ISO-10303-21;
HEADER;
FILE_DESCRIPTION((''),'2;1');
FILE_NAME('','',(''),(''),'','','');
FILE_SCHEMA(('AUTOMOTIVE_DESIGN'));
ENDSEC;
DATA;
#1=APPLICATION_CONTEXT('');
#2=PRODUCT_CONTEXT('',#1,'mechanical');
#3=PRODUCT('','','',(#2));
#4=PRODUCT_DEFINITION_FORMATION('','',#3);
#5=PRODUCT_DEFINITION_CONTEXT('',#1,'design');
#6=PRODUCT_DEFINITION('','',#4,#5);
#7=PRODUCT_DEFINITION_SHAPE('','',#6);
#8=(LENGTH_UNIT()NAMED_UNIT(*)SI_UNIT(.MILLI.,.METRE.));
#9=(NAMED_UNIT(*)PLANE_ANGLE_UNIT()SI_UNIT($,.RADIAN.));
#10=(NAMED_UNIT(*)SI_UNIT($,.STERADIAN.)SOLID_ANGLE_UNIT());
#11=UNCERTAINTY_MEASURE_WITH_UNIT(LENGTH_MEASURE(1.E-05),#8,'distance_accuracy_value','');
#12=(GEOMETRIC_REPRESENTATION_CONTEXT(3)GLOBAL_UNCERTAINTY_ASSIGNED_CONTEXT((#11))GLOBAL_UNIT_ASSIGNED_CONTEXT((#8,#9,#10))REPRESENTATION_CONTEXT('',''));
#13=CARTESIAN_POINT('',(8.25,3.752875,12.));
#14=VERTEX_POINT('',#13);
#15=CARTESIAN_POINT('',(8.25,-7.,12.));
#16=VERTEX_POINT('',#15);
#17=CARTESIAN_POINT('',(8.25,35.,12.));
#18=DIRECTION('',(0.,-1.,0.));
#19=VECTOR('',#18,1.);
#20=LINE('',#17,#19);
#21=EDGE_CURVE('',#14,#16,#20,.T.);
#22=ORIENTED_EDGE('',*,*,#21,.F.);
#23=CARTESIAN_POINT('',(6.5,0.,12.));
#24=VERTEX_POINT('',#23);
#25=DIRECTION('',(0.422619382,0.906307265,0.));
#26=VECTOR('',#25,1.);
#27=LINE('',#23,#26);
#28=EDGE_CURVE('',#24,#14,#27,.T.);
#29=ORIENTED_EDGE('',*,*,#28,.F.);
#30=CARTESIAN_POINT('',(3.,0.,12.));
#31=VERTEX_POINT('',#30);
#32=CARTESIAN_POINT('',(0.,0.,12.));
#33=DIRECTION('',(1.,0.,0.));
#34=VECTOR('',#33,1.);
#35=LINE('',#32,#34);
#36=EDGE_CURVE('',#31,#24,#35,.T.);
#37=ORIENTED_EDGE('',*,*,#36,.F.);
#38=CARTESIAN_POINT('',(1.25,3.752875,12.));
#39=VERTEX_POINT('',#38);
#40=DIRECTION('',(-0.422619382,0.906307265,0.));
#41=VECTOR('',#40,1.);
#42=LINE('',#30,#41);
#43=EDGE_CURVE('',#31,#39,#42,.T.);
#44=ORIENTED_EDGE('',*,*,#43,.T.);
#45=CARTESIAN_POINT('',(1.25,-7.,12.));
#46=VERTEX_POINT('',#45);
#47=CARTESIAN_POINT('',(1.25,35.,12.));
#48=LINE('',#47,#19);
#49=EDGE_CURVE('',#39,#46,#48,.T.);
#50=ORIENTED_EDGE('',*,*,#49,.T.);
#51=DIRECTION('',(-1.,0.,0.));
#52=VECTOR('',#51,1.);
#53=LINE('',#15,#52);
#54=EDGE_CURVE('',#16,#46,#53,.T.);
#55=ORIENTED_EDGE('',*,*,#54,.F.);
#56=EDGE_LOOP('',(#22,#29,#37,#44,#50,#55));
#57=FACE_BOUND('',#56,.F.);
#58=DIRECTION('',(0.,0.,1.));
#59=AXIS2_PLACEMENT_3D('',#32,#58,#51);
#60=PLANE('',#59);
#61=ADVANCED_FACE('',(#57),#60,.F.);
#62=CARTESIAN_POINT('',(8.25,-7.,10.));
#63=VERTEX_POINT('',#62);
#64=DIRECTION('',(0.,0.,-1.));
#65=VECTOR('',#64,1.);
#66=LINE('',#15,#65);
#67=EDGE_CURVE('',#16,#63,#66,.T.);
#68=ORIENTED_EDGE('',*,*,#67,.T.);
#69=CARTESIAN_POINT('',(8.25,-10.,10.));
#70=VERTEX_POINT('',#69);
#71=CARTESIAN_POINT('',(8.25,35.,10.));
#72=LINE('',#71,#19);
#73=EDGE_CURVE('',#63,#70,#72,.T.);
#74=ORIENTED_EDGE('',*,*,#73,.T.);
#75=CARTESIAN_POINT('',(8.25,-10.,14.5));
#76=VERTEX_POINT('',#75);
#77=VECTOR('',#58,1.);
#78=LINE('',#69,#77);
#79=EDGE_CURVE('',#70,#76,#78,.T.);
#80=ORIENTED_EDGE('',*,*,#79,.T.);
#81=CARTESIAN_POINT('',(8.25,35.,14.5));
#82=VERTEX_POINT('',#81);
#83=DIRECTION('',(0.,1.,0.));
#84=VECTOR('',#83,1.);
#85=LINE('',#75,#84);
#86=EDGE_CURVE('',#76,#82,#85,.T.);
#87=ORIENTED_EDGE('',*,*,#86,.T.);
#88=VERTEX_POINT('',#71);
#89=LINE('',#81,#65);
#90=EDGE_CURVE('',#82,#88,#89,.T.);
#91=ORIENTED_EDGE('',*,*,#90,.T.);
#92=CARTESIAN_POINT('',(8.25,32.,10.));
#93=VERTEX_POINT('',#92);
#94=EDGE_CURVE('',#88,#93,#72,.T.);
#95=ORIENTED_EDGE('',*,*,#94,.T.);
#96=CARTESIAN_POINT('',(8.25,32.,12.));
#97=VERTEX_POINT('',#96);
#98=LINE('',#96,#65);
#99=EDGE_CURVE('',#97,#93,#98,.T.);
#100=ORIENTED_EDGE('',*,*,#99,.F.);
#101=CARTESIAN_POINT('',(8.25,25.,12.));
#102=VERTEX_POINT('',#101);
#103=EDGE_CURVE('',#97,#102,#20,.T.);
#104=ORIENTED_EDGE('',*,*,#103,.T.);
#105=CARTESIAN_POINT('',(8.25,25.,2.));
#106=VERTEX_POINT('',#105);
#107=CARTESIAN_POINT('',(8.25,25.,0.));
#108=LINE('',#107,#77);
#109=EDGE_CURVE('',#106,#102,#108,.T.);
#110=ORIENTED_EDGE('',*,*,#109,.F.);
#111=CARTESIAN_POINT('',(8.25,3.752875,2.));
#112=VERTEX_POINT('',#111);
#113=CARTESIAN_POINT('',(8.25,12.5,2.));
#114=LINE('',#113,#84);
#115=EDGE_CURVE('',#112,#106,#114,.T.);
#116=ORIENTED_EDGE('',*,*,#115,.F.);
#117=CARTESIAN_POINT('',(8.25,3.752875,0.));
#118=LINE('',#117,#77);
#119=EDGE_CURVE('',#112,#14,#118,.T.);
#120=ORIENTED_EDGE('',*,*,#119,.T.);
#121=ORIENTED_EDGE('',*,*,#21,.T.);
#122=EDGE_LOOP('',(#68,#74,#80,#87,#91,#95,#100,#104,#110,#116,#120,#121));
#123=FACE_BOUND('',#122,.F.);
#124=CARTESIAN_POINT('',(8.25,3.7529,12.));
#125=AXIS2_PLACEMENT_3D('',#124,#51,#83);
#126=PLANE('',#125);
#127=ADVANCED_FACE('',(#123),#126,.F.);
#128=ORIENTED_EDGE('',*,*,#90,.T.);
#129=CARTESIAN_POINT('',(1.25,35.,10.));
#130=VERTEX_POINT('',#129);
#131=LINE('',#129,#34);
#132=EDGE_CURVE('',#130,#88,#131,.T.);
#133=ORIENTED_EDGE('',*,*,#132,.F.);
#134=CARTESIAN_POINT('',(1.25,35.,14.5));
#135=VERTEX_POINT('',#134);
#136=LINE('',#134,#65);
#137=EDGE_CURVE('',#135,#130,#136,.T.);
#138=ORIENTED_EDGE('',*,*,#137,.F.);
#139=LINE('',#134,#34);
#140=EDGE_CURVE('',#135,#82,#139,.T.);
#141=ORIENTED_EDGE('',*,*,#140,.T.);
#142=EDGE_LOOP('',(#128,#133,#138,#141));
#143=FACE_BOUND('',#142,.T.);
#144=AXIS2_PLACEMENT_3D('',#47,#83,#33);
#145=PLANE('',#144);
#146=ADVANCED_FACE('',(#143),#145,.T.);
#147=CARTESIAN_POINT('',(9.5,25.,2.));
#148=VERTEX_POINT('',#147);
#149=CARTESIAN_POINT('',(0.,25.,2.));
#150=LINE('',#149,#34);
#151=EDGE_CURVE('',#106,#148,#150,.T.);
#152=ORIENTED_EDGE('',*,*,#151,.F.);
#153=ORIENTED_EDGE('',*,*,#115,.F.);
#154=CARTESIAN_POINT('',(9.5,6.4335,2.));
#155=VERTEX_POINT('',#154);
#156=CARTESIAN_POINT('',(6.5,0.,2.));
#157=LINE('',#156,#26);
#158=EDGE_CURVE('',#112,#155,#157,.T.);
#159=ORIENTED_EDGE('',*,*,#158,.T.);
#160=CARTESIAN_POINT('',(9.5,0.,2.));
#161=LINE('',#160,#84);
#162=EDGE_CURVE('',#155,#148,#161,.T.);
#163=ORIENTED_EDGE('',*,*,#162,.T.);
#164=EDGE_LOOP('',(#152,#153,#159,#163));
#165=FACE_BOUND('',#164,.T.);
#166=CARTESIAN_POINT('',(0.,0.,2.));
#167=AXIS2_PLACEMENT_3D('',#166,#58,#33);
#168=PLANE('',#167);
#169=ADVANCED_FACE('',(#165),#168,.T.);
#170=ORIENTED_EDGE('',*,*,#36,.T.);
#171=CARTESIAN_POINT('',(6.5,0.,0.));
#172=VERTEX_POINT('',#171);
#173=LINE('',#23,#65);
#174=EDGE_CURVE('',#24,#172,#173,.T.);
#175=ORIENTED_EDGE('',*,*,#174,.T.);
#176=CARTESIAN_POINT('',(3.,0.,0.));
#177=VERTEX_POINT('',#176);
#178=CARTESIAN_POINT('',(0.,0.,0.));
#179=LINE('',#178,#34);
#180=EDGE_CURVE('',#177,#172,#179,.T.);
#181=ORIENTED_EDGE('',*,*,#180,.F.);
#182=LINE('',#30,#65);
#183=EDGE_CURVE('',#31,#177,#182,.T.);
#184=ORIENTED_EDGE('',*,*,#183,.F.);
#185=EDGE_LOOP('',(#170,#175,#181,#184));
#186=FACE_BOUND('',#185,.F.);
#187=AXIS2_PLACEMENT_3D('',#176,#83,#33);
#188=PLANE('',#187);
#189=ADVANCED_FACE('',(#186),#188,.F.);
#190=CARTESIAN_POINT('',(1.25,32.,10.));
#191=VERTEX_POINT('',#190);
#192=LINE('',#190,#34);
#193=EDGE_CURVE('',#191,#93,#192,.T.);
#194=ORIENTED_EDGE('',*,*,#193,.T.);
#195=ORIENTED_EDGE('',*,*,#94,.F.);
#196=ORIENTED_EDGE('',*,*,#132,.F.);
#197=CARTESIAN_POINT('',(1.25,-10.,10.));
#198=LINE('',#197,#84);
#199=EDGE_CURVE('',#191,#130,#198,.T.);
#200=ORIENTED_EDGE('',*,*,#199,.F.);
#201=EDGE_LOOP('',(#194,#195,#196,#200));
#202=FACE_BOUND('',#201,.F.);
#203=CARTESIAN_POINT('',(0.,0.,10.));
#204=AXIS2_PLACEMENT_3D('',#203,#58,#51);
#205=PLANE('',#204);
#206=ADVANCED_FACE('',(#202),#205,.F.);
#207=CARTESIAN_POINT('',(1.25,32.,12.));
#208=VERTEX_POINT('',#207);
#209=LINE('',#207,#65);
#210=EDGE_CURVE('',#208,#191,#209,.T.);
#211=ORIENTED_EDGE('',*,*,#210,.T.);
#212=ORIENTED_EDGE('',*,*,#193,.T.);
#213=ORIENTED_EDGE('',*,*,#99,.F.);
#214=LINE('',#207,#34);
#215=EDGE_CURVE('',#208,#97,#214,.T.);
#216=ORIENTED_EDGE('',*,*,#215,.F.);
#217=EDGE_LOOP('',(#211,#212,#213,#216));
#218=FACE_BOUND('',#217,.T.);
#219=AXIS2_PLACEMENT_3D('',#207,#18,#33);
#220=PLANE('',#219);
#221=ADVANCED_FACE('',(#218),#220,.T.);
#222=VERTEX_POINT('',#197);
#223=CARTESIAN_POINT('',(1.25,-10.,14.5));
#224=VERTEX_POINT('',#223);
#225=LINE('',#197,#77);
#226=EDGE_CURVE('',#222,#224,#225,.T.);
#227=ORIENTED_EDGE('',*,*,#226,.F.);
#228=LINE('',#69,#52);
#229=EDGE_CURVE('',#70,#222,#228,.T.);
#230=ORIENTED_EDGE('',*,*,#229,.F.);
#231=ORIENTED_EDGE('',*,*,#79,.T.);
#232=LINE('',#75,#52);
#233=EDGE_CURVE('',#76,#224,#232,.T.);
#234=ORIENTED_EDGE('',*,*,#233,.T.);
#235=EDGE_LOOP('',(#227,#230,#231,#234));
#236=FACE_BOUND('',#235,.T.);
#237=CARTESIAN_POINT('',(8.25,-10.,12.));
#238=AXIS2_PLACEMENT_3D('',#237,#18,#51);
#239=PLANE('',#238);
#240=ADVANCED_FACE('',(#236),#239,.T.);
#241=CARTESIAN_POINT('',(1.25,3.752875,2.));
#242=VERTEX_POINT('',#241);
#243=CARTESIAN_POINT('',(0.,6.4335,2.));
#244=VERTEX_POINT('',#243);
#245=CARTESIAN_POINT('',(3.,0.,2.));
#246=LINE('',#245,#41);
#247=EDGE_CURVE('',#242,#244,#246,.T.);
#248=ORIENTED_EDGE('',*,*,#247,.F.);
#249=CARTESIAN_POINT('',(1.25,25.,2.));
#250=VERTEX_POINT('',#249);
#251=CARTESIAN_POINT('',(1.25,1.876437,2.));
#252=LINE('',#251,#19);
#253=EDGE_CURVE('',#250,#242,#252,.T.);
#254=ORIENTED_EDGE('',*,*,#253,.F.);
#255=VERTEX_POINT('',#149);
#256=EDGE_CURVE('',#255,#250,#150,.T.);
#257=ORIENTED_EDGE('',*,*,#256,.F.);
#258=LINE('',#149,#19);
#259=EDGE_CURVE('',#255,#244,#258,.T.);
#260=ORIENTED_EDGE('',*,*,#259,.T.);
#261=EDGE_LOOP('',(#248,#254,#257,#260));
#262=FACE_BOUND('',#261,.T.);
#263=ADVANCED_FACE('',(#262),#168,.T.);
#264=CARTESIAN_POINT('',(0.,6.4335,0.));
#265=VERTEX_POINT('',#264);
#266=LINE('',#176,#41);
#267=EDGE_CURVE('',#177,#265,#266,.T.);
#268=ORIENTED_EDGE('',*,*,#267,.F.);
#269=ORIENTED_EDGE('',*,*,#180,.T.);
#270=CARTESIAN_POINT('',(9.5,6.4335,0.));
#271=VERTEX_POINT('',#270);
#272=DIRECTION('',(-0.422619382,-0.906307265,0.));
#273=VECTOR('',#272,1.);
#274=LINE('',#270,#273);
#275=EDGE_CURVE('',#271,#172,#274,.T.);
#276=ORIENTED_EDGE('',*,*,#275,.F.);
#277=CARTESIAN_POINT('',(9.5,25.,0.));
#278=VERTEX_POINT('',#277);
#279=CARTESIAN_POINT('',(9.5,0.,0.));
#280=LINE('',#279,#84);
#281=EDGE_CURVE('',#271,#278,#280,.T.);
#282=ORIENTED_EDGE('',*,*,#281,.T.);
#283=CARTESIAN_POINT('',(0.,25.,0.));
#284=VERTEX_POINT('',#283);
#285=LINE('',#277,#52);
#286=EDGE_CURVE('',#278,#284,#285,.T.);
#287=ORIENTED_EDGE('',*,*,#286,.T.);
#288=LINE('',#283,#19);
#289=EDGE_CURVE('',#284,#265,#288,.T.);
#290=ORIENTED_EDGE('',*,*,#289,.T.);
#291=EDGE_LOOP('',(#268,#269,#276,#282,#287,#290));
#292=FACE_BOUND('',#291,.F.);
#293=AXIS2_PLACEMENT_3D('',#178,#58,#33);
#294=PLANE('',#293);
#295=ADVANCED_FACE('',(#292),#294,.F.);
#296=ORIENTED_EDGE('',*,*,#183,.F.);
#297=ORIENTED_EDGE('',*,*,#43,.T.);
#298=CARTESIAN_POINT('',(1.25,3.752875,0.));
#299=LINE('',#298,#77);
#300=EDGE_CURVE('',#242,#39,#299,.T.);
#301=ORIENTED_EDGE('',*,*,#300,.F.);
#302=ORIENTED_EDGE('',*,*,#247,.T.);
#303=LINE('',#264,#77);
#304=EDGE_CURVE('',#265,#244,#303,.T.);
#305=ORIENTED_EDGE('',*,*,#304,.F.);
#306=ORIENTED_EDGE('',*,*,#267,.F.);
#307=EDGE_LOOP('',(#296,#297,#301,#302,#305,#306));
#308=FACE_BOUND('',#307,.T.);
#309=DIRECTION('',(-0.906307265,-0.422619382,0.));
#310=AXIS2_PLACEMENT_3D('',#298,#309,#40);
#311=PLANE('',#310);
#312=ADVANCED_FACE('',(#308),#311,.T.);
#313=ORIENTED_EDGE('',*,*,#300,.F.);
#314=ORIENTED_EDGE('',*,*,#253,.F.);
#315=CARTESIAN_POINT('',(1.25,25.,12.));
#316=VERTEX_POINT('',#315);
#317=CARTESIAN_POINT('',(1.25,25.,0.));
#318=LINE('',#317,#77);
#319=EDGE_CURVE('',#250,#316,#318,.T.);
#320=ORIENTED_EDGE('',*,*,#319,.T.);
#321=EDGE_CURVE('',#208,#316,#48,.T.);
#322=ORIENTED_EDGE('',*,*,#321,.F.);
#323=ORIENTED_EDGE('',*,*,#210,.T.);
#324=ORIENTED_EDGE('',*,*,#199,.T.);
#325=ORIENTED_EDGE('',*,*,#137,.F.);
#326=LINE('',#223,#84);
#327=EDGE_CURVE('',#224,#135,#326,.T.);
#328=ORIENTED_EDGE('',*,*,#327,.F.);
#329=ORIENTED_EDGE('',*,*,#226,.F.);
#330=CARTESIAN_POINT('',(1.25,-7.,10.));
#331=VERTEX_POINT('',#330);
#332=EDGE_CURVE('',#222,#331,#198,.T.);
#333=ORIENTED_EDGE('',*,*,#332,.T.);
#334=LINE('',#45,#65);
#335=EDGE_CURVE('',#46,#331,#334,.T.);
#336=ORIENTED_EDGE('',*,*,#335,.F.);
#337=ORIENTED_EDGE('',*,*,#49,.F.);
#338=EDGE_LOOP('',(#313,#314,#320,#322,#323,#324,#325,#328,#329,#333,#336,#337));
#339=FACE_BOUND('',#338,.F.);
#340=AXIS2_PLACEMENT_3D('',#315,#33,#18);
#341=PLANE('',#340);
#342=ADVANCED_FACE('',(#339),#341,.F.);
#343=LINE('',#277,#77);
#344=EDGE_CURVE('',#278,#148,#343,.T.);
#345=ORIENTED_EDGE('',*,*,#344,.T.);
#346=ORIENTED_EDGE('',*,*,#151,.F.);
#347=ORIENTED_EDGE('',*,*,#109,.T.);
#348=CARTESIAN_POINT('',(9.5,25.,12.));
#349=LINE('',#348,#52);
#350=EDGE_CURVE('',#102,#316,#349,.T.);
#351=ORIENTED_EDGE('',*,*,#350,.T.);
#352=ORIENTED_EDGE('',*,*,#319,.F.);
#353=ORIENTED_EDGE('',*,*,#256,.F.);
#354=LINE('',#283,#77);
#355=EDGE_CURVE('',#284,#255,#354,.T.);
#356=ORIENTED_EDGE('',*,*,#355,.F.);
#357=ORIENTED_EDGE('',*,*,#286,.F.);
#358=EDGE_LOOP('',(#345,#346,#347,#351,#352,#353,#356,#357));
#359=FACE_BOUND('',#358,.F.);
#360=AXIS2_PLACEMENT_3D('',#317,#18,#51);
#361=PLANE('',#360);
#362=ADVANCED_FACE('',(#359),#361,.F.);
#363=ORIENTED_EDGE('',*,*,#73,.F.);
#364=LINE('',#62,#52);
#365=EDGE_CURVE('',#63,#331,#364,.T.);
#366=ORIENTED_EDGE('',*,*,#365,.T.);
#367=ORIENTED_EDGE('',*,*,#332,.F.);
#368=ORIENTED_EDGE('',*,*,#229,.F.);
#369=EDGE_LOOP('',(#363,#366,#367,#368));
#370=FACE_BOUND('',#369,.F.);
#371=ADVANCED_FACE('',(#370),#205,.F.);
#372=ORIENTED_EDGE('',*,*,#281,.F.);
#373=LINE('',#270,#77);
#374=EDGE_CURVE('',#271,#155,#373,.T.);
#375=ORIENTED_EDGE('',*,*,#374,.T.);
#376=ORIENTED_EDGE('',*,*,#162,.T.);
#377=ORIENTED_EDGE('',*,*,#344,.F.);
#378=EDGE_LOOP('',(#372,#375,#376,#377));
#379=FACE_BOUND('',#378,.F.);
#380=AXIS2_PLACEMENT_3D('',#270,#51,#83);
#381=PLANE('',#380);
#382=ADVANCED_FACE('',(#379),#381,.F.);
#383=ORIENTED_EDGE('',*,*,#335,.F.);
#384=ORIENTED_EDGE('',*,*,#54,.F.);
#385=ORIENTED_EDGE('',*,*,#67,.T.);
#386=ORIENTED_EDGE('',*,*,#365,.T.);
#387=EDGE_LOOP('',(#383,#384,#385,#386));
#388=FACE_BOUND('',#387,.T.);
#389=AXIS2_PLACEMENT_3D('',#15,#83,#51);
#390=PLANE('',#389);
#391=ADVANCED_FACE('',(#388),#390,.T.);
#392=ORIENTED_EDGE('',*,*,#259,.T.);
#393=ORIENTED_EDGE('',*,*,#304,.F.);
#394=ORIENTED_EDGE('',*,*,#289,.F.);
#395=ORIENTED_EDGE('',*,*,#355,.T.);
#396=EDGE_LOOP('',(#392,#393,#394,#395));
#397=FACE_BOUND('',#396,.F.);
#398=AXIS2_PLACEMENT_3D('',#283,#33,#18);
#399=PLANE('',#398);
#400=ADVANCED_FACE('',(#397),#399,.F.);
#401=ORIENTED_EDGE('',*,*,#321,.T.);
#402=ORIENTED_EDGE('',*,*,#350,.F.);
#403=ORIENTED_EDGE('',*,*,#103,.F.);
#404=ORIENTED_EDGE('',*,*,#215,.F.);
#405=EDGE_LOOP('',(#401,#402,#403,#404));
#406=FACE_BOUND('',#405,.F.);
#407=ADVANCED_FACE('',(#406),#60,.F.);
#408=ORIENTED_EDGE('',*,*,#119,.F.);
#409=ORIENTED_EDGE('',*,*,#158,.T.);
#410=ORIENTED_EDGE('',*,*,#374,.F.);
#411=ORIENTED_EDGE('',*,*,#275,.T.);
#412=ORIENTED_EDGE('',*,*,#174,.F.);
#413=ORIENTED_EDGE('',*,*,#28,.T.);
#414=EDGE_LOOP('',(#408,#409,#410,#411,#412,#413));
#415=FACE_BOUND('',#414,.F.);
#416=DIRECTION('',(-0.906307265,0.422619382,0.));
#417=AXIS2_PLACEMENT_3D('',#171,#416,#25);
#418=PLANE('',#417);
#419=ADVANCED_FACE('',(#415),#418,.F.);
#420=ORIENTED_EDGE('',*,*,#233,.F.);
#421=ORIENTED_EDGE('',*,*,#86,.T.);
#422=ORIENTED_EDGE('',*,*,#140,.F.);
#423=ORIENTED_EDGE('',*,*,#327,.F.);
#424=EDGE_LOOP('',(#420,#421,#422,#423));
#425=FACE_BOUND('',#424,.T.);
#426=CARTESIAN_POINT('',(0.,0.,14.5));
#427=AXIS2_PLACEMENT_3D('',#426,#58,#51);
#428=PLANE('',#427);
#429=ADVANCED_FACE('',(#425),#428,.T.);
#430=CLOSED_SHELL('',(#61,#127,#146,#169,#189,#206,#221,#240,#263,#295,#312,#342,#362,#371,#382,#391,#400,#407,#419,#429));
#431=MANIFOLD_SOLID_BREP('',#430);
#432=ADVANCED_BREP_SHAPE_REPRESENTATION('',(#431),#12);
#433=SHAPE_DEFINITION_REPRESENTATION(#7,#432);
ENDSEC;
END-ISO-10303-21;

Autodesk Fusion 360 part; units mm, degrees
sketch "Sketch1" plane through (0, 0, 0) normal (0, 0, 1) x (1, 0, 0)
  line L0 (0, 0) -> (9.5, 0)
  line L1 (9.5, 0) -> (9.5, 25)
  line L2 (9.5, 25) -> (0, 25)
  line L3 (0, 25) -> (0, 0)
  line L4 (1.25, 25) -> (8.25, 25)
  line L5 (8.25, 25) -> (8.25, 0)
  line L6 (8.25, 0) -> (1.25, 0)
  line L7 (1.25, 0) -> (1.25, 25)
  line L8 (3, 0) -> (0, 6.4335)
  line L9 (3, 0) -> (6, 0) construction
  line L10 (6.5, 0) -> (9.5, 6.4335)
  dimension "d1" = 9.5
  dimension "d2" = 25
  dimension "d3" = 7
  dimension "d4" = 1.25
  dimension "d11" = 3
  dimension "d12" = 3
  dimension "d13" = 65
  dimension "d14" = 65
extrude "Extrude1" add sketch "Sketch1" along normal blind 2 contours L2 L3 L7 L8 | L0 L2 L4 L5 L6 L7 L8 L10 | L1 L2 L5 L10
extrude "Extrude2" add sketch "Sketch1" along normal blind 12 contours L0 L2 L4 L5 L6 L7 L8 L10
sketch "Sketch3" plane through (0, 0, 12) normal (0, 0, 1) x (-1, 0, 0)
  line L0 (-3, 0) -> (-6.5, 0)
  line L1 (-6.5, 0) -> (-8.25, -3.7529)
  line L2 (-8.25, -3.7529) -> (-8.25, -25)
  line L3 (-8.25, -25) -> (-1.25, -25)
  line L4 (-1.25, -25) -> (-1.25, -3.7529)
  line L5 (-1.25, -3.7529) -> (-3, 0)
  line L6 (-1.25, -35) -> (-8.25, -35)
  line L7 (-8.25, -35) -> (-8.25, 10)
  line L8 (-8.25, 10) -> (-1.25, 10)
  line L9 (-1.25, 10) -> (-1.25, -35)
  line L10 (-8.25, -35) -> (-1.25, -35)
  line L11 (-1.25, -35) -> (-1.25, -32)
  line L12 (-1.25, -32) -> (-8.25, -32)
  line L13 (-8.25, -32) -> (-8.25, -35)
  line L14 (-1.25, 10) -> (-8.25, 10)
  line L15 (-8.25, 10) -> (-8.25, 7)
  line L16 (-8.25, 7) -> (-1.25, 7)
  line L17 (-1.25, 7) -> (-1.25, 10)
  dimension "d25" = 10
  dimension "d26" = 10
  dimension "d27" = 3
  dimension "d28" = 3
extrude "Extrude3" add sketch "Sketch3" along normal blind 2.5
extrude "Extrude4" add sketch "Sketch3" against normal blind 2 contours L7 L8 L9 L14 L15 L16 L17 | L6 L7 L9 L10 L11 L12 L13
